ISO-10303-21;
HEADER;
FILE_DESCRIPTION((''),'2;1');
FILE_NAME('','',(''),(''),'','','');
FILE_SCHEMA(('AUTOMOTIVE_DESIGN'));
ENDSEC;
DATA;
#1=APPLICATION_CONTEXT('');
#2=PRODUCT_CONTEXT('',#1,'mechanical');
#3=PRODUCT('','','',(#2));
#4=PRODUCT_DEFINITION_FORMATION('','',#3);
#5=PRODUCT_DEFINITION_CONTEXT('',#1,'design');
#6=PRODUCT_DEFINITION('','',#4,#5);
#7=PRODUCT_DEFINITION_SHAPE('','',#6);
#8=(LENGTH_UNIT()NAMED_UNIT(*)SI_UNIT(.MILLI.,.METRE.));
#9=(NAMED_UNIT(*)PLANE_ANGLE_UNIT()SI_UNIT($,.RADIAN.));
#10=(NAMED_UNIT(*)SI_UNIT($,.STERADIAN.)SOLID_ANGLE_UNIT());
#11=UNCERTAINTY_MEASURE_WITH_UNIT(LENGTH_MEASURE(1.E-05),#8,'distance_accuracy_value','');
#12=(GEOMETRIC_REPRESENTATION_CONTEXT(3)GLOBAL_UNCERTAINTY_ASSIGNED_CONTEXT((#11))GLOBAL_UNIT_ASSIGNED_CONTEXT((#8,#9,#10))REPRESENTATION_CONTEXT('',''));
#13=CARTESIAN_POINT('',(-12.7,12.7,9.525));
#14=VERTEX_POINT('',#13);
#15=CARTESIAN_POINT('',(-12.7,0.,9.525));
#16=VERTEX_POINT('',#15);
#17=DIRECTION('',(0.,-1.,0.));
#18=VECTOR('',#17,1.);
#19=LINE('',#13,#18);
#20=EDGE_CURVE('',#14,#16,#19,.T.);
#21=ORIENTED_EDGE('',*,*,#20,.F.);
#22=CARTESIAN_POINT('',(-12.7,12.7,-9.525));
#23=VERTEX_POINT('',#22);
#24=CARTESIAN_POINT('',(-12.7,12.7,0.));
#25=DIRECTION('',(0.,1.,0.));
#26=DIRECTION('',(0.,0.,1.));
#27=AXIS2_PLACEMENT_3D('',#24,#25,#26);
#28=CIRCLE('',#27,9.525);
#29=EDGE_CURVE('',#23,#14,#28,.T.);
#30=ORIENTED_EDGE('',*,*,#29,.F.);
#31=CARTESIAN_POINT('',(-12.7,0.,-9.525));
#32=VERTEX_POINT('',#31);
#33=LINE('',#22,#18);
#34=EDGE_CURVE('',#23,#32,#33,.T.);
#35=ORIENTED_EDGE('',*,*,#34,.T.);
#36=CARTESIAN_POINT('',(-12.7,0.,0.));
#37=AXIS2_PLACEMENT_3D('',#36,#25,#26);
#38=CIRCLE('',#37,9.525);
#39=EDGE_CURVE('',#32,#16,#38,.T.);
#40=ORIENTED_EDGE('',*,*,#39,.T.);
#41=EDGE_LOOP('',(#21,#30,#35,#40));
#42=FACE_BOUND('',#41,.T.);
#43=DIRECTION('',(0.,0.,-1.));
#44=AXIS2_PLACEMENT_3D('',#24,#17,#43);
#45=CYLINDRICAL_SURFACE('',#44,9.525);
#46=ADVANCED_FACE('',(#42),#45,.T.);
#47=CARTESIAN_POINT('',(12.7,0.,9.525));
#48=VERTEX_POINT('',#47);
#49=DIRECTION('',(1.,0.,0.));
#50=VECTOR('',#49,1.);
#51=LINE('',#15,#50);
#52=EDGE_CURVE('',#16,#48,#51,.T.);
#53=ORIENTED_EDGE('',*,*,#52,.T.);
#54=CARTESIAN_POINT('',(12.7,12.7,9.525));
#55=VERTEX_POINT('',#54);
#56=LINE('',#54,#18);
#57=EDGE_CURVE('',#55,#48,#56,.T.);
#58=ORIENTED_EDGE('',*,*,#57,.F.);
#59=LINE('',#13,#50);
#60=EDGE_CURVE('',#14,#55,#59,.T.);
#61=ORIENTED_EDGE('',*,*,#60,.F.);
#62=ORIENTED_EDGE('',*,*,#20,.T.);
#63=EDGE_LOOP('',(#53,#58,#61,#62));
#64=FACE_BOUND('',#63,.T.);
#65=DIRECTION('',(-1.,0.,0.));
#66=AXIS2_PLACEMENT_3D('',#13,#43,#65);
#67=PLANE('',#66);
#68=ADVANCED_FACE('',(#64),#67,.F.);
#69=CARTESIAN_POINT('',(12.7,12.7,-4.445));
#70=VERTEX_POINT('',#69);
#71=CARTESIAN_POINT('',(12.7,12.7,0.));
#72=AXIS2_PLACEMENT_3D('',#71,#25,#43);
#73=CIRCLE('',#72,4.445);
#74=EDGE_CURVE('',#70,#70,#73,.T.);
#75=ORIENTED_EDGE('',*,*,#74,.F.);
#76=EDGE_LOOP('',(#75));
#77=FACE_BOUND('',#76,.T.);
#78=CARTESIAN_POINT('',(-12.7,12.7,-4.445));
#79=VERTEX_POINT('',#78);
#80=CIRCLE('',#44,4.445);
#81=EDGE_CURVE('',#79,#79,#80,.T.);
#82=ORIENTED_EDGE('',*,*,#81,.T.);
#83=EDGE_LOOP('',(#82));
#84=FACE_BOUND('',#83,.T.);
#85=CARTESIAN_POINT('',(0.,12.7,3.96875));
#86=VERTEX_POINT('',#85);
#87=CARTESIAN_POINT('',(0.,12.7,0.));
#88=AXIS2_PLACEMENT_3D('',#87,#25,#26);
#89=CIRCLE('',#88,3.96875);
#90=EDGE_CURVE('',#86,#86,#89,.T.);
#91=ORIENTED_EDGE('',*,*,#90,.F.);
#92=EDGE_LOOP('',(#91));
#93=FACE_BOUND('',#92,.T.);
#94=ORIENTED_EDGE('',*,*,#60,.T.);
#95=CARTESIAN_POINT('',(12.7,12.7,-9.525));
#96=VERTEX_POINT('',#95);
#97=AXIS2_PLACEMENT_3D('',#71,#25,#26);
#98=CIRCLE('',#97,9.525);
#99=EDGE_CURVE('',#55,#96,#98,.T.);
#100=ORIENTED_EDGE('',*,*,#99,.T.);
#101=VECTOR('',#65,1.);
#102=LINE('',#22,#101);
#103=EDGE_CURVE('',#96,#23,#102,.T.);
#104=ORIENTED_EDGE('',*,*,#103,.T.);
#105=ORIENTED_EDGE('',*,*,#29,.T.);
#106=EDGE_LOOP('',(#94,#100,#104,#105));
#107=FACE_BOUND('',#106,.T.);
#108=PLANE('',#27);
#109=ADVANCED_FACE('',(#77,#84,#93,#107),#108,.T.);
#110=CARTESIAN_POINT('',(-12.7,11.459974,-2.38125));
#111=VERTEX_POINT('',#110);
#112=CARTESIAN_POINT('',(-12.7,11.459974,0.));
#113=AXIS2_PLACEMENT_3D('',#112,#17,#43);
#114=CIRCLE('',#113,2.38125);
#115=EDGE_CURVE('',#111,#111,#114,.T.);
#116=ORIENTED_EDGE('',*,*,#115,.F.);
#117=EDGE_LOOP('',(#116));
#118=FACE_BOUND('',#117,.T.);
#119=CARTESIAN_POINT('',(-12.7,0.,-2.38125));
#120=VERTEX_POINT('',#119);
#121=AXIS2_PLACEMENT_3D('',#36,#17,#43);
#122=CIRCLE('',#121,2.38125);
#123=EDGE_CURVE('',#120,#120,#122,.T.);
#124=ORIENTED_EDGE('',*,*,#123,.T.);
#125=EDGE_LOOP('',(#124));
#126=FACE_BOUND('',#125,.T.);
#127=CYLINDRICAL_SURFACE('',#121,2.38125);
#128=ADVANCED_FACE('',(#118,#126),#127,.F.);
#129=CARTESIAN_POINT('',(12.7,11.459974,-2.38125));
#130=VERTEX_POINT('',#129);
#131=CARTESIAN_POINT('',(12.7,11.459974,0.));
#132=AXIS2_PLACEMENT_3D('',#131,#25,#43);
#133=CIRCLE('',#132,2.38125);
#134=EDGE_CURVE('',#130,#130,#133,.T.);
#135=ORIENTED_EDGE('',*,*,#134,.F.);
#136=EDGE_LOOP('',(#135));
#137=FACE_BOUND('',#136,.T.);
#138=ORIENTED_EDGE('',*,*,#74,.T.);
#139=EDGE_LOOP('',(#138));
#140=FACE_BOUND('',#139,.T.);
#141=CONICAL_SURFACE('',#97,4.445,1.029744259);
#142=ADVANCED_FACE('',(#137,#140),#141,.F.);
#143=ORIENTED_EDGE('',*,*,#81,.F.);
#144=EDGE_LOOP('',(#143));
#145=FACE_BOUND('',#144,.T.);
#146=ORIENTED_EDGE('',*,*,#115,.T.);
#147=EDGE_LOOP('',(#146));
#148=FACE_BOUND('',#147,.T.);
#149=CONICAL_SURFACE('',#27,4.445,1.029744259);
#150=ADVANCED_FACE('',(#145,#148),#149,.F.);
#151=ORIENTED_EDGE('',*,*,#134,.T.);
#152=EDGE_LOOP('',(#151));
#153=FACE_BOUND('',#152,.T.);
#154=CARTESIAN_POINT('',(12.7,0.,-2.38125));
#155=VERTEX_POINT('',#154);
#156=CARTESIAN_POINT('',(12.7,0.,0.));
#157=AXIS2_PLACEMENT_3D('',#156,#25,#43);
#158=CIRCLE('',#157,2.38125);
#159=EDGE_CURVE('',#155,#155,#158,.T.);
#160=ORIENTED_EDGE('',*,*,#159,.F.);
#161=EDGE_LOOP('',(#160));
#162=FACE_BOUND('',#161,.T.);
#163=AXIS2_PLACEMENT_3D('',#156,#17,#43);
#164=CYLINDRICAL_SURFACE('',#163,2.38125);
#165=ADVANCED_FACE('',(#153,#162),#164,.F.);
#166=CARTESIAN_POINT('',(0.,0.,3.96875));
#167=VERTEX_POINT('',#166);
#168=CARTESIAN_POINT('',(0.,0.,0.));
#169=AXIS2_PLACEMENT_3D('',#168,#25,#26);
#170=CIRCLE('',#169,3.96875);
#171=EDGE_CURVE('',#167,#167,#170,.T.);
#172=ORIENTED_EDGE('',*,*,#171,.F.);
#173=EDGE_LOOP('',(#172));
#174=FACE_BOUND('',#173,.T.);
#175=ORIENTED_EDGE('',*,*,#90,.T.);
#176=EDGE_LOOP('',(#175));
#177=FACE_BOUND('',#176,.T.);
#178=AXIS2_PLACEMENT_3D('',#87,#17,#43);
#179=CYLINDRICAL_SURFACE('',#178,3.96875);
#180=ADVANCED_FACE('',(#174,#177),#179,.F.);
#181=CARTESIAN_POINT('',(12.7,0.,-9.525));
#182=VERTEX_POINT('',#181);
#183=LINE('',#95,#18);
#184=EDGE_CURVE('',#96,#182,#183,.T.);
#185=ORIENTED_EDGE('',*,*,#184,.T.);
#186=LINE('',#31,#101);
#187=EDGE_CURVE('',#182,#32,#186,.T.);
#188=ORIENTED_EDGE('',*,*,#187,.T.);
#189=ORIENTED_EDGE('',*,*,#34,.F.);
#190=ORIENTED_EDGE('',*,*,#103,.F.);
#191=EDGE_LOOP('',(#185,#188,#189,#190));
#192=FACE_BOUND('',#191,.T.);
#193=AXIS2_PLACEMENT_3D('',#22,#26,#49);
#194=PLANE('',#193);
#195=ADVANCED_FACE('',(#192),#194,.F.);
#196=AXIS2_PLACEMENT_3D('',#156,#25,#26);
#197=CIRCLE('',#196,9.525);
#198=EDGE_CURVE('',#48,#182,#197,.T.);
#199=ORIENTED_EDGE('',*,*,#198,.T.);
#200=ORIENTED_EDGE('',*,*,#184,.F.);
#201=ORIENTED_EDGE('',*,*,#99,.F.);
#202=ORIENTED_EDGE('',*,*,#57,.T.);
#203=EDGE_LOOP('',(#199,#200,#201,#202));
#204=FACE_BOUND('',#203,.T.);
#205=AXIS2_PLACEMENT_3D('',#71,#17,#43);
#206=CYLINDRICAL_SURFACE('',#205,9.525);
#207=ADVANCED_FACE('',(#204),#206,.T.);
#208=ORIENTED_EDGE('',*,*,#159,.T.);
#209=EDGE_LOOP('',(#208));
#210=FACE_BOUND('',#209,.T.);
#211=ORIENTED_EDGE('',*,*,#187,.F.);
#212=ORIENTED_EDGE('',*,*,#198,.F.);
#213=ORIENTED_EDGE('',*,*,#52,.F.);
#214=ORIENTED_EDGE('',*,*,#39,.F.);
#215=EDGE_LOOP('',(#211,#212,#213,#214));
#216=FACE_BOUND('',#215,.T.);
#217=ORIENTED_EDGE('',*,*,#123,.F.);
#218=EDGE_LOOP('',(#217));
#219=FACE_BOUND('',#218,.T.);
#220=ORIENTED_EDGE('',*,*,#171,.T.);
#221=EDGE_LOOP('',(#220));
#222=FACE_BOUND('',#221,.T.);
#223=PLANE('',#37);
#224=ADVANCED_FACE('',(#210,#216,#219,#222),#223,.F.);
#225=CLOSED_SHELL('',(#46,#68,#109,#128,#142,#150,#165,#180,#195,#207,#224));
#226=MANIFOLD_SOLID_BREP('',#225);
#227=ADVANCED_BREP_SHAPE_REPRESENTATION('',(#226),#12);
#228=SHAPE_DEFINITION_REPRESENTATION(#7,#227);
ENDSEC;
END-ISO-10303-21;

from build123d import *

# Parameters (mm, degrees)
SKETCH1_R           = 3.96875
BOSS_EXTRUDE1_DEPTH = 12.7


with BuildPart() as part:
    # Sketch1 → Boss-Extrude1 (new body)
    with BuildSketch(Plane(origin=(0, 0, 0), x_dir=(1, 0, 0), z_dir=(0, 1, 0))):
        with BuildLine():
            Line((-12.7, 9.525), (12.7, 9.525))
            ThreePointArc((12.7, 9.525), (22.225, 0), (12.7, -9.525))
            Line((12.7, -9.525), (-12.7, -9.525))
            ThreePointArc((-12.7, -9.525), (-22.225, 0), (-12.7, 9.525))
        make_face()
        Circle(SKETCH1_R, mode=Mode.SUBTRACT)
    extrude(amount=BOSS_EXTRUDE1_DEPTH)

    # Sketch2 → Cut-Revolve1 (revolve, cut)
    with BuildSketch(Plane.XY):
        Polygon((-12.7, 12.7), (-17.145, 12.7), (-15.08125, 11.459973897), (-15.08125, 0), (-12.7, 0), align=None)
    cut_revolve1 = revolve(axis=Axis((-12.7, 0, 0), (0, 1, 0)), mode=Mode.SUBTRACT)

    # Mirror1: Cut-Revolve1 across plane
    add(cut_revolve1.mirror(Plane(origin=(0, 0, 0), x_dir=(0, 0, 1), z_dir=(1, 0, 0))), mode=Mode.SUBTRACT)


solid = part.part
